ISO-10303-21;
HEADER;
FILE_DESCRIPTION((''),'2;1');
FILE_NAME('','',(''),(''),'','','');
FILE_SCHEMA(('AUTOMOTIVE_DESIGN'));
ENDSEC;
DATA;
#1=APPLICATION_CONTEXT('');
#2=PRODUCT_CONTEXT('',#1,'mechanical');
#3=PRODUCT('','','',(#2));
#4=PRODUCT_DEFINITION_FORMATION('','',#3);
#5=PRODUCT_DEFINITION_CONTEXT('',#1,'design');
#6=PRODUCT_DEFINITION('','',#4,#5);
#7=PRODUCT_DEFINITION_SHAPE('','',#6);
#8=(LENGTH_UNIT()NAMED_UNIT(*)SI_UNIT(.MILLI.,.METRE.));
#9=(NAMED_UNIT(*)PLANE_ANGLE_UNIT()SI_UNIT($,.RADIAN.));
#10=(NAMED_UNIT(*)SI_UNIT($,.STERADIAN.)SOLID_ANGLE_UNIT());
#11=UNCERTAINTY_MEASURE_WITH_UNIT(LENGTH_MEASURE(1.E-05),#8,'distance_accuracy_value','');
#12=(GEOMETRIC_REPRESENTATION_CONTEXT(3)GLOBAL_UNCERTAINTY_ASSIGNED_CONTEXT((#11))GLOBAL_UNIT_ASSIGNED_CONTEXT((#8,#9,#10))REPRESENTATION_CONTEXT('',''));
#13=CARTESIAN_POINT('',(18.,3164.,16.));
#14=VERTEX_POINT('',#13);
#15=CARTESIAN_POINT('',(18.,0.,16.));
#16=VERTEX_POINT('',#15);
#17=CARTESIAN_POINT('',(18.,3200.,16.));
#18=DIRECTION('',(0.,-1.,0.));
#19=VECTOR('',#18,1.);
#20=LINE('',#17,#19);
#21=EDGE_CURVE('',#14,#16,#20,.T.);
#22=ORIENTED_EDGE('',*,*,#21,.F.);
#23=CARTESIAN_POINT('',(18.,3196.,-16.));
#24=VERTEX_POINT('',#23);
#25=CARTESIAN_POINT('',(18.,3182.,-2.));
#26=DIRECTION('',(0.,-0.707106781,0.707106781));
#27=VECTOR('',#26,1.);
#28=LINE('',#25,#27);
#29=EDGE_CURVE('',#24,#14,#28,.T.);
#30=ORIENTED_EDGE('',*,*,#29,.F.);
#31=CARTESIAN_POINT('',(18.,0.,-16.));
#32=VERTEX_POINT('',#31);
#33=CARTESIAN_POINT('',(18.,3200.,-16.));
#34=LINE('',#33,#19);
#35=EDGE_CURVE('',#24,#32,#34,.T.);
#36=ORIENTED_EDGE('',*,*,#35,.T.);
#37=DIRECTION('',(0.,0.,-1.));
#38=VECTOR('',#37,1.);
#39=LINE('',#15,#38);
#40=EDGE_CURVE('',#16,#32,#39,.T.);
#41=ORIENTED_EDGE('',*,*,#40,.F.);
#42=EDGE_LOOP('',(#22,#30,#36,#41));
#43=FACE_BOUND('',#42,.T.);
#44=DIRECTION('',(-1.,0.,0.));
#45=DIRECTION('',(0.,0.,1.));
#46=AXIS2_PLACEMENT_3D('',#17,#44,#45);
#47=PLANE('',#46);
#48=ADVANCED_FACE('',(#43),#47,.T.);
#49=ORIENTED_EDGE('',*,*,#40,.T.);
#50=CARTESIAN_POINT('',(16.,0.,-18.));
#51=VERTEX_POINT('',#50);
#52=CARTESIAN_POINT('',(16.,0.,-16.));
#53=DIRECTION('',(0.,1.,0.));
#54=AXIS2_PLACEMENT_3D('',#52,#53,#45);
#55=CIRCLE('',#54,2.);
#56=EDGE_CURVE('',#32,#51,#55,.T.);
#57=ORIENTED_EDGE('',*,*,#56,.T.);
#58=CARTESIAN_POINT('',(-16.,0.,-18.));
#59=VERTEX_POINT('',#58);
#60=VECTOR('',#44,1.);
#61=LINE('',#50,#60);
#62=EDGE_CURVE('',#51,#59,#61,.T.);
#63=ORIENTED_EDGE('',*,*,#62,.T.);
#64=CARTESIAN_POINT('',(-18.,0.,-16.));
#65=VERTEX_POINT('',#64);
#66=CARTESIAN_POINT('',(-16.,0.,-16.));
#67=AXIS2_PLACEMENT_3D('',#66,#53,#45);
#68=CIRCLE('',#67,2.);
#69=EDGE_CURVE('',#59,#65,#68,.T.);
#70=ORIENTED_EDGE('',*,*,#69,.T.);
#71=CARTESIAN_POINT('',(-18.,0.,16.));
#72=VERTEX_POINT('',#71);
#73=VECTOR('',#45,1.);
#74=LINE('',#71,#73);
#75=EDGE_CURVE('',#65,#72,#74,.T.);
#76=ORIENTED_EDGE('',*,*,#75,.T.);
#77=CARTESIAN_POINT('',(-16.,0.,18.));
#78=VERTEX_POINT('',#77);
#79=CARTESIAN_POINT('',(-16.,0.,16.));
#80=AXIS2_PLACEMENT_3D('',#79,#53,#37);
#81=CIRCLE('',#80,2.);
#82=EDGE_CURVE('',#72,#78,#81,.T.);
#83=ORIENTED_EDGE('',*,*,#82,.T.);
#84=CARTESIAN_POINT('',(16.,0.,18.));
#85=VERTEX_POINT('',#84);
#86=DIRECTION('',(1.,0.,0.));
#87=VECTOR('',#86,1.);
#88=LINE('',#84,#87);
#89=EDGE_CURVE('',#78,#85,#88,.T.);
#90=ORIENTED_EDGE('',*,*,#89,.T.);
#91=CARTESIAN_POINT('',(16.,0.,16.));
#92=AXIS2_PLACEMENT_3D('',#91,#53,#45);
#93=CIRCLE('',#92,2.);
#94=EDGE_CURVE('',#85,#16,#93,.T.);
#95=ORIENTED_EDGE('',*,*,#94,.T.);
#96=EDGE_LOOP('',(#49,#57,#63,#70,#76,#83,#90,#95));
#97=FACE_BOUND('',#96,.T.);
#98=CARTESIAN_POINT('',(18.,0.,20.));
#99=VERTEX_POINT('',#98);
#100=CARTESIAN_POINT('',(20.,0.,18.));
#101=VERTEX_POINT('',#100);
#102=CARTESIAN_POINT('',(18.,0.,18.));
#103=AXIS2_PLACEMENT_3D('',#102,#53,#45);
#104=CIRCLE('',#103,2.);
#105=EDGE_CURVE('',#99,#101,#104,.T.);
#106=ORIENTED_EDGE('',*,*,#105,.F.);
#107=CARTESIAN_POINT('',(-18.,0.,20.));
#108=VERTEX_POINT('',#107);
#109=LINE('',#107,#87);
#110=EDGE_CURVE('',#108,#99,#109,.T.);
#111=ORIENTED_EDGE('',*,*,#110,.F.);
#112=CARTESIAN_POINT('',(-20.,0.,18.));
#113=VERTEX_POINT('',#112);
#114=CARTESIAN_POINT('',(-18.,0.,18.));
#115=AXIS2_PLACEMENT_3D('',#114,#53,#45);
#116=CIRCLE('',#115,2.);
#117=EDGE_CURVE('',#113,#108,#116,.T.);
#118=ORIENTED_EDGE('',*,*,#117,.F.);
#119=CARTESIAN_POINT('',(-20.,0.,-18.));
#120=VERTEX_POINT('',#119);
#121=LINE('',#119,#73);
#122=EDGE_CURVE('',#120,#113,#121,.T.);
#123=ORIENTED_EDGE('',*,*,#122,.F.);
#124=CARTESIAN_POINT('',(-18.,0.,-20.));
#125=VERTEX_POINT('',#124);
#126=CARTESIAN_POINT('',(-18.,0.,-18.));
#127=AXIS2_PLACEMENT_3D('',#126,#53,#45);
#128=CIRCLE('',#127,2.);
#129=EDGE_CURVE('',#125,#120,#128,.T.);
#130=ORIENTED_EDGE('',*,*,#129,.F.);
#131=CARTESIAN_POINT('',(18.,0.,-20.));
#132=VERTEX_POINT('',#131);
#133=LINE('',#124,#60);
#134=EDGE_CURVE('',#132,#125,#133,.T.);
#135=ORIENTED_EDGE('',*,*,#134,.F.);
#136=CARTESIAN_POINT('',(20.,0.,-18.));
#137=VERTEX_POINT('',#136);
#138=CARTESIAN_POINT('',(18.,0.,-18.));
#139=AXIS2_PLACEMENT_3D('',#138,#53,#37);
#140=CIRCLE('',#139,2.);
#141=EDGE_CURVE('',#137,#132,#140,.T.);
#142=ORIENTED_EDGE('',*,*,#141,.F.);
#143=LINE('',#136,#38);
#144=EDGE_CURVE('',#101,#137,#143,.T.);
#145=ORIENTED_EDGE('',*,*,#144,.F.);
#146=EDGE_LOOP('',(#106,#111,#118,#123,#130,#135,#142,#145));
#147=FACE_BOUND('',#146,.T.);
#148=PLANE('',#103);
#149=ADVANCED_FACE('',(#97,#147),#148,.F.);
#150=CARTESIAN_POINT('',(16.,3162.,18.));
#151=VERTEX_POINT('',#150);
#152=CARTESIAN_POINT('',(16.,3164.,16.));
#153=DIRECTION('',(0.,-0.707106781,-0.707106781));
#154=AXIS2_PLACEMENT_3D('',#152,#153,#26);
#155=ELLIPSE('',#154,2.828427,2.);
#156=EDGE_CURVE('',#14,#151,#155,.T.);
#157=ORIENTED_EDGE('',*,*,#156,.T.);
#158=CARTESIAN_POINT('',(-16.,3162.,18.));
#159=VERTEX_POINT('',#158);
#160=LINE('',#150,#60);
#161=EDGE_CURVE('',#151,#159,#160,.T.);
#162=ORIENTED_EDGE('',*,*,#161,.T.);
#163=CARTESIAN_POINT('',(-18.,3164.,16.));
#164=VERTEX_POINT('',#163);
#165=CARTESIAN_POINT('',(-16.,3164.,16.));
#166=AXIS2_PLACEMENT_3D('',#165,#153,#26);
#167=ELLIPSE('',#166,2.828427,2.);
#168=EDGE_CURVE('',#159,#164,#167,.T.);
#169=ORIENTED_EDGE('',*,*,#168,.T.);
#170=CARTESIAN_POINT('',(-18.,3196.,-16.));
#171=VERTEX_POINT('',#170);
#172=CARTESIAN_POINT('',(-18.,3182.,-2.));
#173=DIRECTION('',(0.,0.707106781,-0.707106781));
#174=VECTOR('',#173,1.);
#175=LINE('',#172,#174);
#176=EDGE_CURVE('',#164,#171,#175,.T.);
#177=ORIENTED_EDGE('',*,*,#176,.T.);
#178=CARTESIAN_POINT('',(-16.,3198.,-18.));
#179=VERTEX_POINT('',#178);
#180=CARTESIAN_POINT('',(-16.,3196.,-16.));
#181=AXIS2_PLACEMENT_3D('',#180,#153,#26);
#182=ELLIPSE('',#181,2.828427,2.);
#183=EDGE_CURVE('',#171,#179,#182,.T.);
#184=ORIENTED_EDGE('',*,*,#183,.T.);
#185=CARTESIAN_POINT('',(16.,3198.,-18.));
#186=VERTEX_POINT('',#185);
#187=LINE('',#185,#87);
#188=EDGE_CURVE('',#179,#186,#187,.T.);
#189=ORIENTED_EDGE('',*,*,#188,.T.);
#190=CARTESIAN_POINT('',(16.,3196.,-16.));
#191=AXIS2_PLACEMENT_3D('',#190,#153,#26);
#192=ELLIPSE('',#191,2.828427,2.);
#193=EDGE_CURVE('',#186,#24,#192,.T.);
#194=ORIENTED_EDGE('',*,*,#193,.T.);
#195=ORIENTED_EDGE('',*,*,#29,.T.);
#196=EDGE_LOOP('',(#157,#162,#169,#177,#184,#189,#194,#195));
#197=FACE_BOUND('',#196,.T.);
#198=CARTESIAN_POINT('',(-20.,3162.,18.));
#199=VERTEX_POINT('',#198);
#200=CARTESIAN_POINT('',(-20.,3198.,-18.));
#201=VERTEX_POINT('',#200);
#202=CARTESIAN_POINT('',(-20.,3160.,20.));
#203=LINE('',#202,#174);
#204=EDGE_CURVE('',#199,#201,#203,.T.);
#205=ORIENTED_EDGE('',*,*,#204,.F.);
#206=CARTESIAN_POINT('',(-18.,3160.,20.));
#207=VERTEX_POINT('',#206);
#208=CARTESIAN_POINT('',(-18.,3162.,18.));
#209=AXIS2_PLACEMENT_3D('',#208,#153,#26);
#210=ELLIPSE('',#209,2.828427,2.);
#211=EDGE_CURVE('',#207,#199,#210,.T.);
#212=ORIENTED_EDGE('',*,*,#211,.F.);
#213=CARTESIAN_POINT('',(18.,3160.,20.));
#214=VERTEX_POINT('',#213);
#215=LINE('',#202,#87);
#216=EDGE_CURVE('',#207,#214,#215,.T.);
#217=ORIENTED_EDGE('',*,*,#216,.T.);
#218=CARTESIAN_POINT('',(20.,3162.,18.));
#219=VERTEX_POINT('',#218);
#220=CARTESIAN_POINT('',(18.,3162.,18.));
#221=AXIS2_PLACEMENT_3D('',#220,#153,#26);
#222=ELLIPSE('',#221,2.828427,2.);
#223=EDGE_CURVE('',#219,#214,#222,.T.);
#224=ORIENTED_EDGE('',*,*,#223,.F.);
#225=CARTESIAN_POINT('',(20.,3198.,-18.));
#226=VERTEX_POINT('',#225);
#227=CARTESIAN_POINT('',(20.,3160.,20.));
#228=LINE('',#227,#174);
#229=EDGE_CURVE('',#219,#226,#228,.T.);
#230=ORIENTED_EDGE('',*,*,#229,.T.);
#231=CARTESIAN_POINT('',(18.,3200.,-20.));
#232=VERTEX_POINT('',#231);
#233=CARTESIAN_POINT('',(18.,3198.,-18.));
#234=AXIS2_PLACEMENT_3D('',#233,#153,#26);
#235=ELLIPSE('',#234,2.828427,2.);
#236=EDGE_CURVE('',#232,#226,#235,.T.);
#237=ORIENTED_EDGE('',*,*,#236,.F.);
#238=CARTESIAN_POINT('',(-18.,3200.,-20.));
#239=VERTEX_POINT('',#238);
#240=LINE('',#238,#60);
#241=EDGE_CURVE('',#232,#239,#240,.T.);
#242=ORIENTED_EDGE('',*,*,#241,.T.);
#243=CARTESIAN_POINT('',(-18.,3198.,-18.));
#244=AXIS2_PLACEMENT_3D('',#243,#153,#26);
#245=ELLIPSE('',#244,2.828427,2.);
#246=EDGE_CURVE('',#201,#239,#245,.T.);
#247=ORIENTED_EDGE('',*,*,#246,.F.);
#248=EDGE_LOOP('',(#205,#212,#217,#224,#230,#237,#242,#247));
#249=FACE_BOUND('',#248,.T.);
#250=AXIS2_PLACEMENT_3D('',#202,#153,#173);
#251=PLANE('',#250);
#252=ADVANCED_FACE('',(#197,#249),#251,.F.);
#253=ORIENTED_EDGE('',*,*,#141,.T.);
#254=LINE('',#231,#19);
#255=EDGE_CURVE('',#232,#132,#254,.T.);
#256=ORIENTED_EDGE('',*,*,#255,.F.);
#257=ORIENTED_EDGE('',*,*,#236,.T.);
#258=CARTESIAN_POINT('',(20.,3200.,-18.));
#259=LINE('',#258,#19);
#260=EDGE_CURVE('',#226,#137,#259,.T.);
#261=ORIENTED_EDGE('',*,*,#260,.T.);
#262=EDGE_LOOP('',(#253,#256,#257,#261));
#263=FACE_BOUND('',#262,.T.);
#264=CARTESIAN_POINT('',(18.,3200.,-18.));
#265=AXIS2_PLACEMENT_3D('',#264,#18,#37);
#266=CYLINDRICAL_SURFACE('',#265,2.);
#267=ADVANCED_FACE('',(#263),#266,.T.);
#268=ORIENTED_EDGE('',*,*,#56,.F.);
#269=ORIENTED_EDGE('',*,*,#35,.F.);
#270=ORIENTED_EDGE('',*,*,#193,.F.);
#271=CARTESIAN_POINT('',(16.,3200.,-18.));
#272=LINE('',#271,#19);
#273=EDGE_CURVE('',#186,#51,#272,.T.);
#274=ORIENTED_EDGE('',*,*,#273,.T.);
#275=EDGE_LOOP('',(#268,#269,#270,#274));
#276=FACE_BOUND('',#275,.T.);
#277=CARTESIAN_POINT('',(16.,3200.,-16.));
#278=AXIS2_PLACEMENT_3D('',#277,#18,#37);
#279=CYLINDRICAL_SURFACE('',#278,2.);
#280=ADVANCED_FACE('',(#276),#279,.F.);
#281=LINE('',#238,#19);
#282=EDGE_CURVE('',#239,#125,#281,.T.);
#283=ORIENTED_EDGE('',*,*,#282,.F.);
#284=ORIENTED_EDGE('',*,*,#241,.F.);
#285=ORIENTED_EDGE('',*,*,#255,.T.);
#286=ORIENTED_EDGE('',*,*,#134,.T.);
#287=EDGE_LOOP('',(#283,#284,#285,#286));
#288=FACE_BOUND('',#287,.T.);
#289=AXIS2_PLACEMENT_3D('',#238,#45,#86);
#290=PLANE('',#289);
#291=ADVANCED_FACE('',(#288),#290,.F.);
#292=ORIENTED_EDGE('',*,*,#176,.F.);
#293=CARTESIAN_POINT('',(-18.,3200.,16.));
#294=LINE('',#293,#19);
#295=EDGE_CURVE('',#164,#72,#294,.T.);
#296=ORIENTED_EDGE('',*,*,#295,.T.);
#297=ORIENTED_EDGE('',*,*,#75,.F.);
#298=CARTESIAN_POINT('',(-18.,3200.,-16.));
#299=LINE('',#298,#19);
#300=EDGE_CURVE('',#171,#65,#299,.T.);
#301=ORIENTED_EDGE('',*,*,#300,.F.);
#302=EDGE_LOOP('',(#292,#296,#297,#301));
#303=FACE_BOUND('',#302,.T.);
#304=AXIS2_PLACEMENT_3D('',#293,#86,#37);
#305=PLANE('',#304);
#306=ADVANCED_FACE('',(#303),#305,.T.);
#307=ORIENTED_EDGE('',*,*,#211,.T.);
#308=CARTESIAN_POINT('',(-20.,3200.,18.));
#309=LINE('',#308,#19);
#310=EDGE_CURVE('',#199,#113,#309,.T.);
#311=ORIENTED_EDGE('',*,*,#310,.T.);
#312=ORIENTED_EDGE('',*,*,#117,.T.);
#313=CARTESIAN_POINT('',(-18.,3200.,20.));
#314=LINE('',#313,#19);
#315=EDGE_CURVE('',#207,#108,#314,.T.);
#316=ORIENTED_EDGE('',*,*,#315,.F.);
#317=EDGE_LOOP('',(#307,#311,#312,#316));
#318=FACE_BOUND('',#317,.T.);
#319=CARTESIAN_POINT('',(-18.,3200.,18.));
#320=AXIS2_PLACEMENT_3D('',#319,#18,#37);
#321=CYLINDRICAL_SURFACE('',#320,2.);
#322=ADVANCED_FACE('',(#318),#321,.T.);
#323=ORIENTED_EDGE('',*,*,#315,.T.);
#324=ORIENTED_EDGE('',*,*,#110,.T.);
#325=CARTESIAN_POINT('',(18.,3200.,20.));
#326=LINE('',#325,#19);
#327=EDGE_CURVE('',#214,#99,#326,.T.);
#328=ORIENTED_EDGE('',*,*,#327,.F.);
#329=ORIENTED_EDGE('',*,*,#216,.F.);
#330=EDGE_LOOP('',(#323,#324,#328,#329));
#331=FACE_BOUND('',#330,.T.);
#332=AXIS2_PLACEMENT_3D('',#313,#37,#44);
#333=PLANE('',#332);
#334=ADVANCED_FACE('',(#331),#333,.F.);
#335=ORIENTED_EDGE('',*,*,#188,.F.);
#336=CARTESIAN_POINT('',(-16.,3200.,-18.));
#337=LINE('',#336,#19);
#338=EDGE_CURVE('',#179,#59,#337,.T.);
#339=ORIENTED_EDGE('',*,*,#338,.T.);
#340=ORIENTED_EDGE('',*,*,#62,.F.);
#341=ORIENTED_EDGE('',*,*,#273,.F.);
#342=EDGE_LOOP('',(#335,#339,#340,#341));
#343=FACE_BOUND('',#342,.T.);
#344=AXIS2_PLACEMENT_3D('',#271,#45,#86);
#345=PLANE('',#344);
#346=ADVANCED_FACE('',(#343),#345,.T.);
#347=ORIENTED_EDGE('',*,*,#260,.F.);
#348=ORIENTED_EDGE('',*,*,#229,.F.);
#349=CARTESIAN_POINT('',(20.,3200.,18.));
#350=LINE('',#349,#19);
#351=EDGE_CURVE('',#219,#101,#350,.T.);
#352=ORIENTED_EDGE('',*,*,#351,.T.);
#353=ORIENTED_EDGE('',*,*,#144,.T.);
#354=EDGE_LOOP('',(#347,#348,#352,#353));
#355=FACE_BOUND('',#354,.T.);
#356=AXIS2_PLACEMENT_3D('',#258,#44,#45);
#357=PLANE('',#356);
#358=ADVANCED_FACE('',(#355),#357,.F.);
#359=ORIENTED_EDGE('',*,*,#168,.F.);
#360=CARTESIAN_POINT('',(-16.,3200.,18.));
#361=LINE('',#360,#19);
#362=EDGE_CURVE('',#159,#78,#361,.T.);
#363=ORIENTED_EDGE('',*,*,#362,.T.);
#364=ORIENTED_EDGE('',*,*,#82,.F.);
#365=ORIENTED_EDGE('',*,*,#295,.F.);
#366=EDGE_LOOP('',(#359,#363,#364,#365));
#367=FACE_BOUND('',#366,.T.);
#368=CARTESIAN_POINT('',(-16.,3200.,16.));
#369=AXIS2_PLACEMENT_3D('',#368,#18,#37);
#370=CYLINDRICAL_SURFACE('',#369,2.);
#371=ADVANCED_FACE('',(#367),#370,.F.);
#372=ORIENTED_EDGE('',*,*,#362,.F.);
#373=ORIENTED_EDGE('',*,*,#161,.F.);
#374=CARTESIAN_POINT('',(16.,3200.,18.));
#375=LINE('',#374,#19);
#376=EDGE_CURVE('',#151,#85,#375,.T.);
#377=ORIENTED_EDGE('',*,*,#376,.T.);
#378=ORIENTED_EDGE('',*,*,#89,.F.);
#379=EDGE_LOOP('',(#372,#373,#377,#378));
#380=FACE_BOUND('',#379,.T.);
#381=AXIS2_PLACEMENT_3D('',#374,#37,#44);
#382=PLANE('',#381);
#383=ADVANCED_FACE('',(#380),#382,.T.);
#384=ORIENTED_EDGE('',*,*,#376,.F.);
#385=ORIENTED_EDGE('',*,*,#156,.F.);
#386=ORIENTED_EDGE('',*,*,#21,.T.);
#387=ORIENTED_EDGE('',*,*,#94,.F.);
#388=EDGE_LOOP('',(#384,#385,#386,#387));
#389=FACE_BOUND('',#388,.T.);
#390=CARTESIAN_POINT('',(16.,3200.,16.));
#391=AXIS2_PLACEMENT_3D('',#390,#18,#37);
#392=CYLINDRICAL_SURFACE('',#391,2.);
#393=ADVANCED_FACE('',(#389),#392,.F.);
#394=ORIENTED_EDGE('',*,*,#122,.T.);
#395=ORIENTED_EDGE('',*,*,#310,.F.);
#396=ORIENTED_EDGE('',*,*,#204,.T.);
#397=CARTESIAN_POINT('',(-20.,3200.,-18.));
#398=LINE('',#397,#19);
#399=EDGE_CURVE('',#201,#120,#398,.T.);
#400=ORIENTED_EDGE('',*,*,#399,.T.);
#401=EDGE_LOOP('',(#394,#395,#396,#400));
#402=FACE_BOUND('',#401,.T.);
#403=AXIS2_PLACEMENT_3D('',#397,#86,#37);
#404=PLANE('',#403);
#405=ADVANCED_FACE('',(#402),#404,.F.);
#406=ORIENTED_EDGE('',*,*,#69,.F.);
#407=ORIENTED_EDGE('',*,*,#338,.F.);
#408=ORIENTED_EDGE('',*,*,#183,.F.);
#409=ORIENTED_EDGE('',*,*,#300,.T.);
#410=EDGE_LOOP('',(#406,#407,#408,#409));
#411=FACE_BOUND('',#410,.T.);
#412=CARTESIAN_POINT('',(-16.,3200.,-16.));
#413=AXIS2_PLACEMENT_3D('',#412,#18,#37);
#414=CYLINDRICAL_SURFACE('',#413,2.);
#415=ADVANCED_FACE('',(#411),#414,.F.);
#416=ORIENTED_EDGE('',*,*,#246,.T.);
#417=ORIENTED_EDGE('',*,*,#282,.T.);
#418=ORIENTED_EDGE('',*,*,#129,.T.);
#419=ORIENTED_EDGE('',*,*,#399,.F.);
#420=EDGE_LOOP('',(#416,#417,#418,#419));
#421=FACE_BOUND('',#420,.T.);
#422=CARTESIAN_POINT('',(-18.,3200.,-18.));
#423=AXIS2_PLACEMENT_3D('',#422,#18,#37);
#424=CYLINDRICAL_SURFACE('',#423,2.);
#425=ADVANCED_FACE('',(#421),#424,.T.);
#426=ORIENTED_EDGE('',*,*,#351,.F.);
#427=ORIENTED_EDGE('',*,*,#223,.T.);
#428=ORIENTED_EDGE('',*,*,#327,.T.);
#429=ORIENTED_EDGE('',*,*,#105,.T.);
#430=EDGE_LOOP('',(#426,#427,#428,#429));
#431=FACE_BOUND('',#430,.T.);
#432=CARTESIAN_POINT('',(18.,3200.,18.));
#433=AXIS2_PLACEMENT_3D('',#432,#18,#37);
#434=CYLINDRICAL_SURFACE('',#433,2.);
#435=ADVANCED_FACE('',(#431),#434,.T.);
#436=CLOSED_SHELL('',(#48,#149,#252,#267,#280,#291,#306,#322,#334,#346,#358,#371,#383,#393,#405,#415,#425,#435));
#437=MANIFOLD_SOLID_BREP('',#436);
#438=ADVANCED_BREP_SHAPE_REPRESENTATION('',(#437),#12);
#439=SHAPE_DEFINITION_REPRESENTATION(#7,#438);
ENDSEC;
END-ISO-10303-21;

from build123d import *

# Parameters (mm, degrees)
EXTRUDE_1_DEPTH     = 3200
CUT_EXTRUDE_1_DEPTH = 3201.312484743


with BuildPart() as part:
    # Эскиз2 → Бобышка-Вытянуть1 (new body)
    with BuildSketch(Plane(origin=(0, 0, 0), x_dir=(1, 0, 0), z_dir=(0, 1, 0))):
        with BuildLine():
            Line((-18, 20), (18, 20))
            ThreePointArc((18, 20), (19.414213562, 19.414213562), (20, 18))
            Line((20, 18), (20, -18))
            ThreePointArc((20, -18), (19.414213562, -19.414213562), (18, -20))
            Line((18, -20), (-18, -20))
            ThreePointArc((-18, -20), (-19.414213562, -19.414213562), (-20, -18))
            Line((-20, -18), (-20, 18))
            ThreePointArc((-20, 18), (-19.414213562, 19.414213562), (-18, 20))
        make_face()
        with BuildLine():
            Line((16, -18), (-16, -18))
            ThreePointArc((-16, -18), (-17.414213562, -17.414213562), (-18, -16))
            Line((-18, -16), (-18, 16))
            ThreePointArc((-18, 16), (-17.414213562, 17.414213562), (-16, 18))
            Line((-16, 18), (16, 18))
            ThreePointArc((16, 18), (17.414213562, 17.414213562), (18, 16))
            Line((18, 16), (18, -16))
            ThreePointArc((18, -16), (17.414213562, -17.414213562), (16, -18))
        make_face(mode=Mode.SUBTRACT)
    extrude(amount=EXTRUDE_1_DEPTH)

    # Эскиз3 → Вырез-Вытянуть1 (cut, through all)
    with BuildSketch(Plane(origin=(20, 0, 0), x_dir=(0, 0, -1), z_dir=(1, 0, 0))):
        Polygon((20, 3200), (-20, 3200), (-20, 3160), align=None)
    extrude(amount=-CUT_EXTRUDE_1_DEPTH, mode=Mode.SUBTRACT)


solid = part.part
